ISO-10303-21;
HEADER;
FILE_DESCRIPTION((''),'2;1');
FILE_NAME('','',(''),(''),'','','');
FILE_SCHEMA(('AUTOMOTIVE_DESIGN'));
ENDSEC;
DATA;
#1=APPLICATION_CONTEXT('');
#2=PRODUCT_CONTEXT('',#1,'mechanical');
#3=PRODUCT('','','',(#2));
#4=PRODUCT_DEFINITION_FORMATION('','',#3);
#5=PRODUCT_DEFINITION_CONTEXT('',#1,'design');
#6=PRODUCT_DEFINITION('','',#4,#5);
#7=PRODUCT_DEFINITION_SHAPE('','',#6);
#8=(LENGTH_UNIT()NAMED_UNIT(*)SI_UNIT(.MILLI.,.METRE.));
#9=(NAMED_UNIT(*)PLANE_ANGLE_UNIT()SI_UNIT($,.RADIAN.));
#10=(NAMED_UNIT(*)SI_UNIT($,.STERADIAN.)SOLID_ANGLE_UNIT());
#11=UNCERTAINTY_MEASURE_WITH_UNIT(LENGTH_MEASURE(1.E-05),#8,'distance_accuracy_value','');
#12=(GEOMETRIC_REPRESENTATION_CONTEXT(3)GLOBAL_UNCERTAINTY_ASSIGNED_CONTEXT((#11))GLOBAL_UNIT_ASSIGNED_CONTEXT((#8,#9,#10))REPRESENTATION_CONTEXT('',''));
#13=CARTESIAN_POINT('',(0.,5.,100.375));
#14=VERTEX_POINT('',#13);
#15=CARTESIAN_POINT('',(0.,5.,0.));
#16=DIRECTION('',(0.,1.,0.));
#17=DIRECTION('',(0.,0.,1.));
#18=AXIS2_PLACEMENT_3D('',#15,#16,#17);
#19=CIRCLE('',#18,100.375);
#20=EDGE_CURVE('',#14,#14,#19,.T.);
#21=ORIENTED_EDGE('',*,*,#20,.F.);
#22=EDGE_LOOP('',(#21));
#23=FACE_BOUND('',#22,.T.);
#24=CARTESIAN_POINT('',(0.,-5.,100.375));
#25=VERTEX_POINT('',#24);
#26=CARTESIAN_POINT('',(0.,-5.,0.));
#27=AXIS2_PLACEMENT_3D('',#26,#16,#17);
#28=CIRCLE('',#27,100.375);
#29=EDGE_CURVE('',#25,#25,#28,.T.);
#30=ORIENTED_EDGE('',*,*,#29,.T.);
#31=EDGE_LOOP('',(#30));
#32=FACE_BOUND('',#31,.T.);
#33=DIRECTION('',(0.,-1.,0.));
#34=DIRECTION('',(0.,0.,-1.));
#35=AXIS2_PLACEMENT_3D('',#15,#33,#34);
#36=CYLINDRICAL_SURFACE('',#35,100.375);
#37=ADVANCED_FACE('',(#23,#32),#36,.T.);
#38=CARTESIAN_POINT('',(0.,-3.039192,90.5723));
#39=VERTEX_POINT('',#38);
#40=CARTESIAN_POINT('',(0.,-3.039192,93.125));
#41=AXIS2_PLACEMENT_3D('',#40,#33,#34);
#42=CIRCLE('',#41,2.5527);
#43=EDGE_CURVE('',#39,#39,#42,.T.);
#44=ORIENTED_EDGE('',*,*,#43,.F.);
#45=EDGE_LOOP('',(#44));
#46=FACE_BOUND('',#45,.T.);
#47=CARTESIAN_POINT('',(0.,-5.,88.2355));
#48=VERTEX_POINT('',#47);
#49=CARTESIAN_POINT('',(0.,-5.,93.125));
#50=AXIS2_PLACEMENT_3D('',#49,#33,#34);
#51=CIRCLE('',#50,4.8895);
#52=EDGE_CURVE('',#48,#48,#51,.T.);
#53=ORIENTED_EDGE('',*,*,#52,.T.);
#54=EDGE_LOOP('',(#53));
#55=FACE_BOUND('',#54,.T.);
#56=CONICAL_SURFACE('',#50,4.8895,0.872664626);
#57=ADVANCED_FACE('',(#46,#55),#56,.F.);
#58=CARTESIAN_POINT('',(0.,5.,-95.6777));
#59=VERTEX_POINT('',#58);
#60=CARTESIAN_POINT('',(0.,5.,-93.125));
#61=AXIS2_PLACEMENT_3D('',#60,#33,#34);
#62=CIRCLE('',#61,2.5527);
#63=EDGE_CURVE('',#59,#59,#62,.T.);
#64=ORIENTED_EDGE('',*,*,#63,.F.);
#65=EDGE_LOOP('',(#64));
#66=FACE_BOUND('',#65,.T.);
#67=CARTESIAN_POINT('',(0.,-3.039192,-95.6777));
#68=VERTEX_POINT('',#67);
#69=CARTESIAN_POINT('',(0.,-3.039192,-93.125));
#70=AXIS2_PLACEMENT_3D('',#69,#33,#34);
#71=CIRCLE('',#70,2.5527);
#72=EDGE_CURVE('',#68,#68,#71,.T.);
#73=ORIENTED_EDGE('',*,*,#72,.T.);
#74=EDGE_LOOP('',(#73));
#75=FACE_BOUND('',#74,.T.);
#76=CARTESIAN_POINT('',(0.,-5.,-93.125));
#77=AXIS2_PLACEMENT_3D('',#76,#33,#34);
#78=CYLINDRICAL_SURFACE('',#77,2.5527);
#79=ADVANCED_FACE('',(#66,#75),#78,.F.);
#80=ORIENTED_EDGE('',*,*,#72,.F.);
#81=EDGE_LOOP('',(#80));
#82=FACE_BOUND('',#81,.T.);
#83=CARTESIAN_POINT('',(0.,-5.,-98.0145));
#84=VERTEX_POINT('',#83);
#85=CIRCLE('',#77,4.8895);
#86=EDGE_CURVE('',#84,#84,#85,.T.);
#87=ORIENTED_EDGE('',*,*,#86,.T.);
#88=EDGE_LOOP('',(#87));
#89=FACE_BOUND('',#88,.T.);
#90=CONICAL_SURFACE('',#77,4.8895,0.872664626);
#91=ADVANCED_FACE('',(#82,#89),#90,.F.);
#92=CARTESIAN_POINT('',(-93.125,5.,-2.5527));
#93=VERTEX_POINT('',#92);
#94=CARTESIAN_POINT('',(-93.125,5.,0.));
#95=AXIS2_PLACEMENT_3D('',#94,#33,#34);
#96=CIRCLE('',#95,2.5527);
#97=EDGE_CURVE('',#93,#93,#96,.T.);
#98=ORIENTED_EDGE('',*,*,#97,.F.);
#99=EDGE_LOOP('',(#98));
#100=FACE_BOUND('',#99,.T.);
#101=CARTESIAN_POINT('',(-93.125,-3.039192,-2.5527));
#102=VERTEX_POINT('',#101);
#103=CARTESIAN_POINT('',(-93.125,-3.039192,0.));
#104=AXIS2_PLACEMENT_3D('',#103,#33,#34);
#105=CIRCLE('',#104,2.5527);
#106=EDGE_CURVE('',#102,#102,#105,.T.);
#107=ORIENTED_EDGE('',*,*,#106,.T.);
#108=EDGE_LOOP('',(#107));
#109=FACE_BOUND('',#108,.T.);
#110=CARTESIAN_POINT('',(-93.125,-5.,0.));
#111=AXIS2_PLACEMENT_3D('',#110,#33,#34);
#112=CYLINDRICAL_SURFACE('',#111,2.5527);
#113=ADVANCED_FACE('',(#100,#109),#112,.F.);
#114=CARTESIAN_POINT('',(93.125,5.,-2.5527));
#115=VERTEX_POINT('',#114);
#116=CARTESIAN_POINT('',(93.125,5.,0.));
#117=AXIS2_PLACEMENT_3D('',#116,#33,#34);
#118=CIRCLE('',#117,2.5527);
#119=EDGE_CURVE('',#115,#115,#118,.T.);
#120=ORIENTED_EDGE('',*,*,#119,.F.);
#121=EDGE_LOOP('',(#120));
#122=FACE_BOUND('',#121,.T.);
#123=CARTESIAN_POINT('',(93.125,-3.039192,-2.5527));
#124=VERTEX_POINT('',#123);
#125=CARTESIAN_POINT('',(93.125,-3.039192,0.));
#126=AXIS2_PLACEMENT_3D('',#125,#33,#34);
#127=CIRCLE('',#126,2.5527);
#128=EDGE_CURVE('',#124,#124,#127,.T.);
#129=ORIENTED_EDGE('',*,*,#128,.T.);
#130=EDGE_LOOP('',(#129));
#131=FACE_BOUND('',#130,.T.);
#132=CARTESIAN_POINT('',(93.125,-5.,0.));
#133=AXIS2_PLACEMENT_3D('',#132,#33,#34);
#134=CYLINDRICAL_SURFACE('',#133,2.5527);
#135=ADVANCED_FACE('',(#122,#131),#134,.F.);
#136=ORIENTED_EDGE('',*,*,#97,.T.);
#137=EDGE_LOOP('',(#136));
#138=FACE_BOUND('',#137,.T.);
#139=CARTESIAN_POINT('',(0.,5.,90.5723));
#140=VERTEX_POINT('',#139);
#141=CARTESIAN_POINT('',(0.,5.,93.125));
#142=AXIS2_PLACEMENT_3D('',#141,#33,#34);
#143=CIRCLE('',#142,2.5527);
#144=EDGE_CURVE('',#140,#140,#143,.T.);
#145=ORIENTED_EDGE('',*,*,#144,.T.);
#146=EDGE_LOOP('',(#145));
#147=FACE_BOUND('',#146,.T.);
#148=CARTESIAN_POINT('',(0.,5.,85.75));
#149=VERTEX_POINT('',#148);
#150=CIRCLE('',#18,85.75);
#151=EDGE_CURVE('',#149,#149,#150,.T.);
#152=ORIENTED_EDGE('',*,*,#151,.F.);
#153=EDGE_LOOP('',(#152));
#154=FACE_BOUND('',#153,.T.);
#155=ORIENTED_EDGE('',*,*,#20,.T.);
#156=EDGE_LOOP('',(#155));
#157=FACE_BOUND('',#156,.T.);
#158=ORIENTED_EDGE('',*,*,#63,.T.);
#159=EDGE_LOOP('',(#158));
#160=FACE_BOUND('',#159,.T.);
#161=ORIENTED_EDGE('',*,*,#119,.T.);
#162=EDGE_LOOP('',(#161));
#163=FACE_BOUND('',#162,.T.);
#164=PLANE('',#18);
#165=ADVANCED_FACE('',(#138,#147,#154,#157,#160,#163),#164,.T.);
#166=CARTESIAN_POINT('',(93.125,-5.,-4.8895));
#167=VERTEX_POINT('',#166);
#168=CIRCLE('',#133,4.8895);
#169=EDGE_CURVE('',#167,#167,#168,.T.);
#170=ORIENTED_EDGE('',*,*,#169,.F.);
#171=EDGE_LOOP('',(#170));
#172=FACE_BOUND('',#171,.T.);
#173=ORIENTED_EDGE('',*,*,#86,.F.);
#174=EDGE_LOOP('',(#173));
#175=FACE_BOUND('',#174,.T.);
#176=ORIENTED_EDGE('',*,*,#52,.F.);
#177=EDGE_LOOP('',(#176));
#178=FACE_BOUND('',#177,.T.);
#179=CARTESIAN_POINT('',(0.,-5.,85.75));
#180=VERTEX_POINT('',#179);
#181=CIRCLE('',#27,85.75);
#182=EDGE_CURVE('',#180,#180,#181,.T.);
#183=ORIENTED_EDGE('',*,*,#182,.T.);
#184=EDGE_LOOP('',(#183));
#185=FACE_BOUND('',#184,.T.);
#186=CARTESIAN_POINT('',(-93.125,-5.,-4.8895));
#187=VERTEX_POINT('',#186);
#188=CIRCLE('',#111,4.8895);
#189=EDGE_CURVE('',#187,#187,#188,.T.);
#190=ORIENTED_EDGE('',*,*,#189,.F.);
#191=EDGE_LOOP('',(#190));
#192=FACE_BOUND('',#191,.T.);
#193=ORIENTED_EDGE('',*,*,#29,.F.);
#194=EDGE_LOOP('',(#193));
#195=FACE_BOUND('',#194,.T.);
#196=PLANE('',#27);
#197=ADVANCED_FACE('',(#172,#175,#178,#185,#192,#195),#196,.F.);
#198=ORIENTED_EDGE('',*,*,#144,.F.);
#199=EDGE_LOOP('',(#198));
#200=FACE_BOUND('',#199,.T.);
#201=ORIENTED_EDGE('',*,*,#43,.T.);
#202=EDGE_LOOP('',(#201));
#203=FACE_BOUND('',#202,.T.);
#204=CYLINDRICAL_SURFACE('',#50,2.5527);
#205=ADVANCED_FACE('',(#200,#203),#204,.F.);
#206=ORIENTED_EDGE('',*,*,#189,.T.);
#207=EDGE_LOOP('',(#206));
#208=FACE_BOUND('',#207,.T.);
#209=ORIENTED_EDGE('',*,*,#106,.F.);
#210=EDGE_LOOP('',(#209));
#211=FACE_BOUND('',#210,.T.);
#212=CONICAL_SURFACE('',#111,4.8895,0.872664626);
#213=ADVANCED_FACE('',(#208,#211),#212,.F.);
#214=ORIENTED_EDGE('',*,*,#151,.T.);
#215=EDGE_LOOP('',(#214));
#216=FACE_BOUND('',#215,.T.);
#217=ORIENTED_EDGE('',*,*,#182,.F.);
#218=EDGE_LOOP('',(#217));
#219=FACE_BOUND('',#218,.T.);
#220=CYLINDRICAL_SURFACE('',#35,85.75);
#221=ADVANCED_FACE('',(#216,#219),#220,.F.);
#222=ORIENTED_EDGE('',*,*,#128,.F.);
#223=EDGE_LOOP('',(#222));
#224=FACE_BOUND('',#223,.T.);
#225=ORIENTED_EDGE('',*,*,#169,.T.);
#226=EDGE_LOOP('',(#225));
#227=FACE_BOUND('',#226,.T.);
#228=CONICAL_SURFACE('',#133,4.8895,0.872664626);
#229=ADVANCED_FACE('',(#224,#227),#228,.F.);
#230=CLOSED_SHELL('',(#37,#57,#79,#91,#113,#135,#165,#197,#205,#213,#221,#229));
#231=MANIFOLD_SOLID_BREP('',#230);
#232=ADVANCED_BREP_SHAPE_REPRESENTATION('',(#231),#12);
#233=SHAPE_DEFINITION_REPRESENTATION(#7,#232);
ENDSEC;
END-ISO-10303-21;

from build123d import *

# Parameters (mm, degrees)
SKETCH1_R                                          = 100.375000037
SKETCH1_R_2                                        = 85.74999995
BOSS_EXTRUDE1_DEPTH                                = 5.000000033
SKETCH2_R                                          = 1.27
CUT_EXTRUDE1_DEPTH                                 = 143.03971721
CIRPATTERN1_COUNT                                  = 4
CSK_FOR_10_FLAT_HEAD_MACHINE_SCREW_100_D           = 5.1054
CSK_FOR_10_FLAT_HEAD_MACHINE_SCREW_100_CSINK_D     = 9.779
CSK_FOR_10_FLAT_HEAD_MACHINE_SCREW_100_CSINK_ANGLE = 100


with BuildPart() as part:
    # Sketch1 → Boss-Extrude1 (new, symmetric)
    with BuildSketch(Plane(origin=(0, 0, 0), x_dir=(1, 0, 0), z_dir=(0, 1, 0))):
        with Locations(Location((0, 0, 0), (0, 0, 270))):
            Circle(SKETCH1_R)
        with Locations(Location((0, 0, 0), (0, 0, 270))):
            Circle(SKETCH1_R_2, mode=Mode.SUBTRACT)
    extrude(amount=BOSS_EXTRUDE1_DEPTH, both=True)

    # Sketch2 → Cut-Extrude1 (cut, symmetric)
    with BuildSketch(Plane(origin=(0, 0, 0), x_dir=(1, 0, 0), z_dir=(0, 1, 0))):
        with Locations(Location((-93.125000059, 0, 0), (0, 0, 270))):
            Circle(SKETCH2_R)
    cut_extrude1 = extrude(amount=CUT_EXTRUDE1_DEPTH, both=True, mode=Mode.SUBTRACT)

    # CirPattern1: Cut-Extrude1 ×4 about axis
    cirpattern1_axis = Axis((0, 0, 0), (0, 1, 0))
    for i in range(1, CIRPATTERN1_COUNT):
        add(cut_extrude1.rotate(cirpattern1_axis, i * 360 / CIRPATTERN1_COUNT), mode=Mode.SUBTRACT)

    # CSK for #10 Flat Head Machine Screw (100)1 (through all)
    with Locations(Plane(origin=(93.125000059, -5.000000033, 0), x_dir=(0, 0, -1), z_dir=(0, -1, 0))):
        with Locations((0, 0), (93.125000059, -93.125000059), (0, -186.250000118), (-93.125000059, -93.125000059)):
            CounterSinkHole(CSK_FOR_10_FLAT_HEAD_MACHINE_SCREW_100_D / 2, CSK_FOR_10_FLAT_HEAD_MACHINE_SCREW_100_CSINK_D / 2, counter_sink_angle=CSK_FOR_10_FLAT_HEAD_MACHINE_SCREW_100_CSINK_ANGLE)


solid = part.part
